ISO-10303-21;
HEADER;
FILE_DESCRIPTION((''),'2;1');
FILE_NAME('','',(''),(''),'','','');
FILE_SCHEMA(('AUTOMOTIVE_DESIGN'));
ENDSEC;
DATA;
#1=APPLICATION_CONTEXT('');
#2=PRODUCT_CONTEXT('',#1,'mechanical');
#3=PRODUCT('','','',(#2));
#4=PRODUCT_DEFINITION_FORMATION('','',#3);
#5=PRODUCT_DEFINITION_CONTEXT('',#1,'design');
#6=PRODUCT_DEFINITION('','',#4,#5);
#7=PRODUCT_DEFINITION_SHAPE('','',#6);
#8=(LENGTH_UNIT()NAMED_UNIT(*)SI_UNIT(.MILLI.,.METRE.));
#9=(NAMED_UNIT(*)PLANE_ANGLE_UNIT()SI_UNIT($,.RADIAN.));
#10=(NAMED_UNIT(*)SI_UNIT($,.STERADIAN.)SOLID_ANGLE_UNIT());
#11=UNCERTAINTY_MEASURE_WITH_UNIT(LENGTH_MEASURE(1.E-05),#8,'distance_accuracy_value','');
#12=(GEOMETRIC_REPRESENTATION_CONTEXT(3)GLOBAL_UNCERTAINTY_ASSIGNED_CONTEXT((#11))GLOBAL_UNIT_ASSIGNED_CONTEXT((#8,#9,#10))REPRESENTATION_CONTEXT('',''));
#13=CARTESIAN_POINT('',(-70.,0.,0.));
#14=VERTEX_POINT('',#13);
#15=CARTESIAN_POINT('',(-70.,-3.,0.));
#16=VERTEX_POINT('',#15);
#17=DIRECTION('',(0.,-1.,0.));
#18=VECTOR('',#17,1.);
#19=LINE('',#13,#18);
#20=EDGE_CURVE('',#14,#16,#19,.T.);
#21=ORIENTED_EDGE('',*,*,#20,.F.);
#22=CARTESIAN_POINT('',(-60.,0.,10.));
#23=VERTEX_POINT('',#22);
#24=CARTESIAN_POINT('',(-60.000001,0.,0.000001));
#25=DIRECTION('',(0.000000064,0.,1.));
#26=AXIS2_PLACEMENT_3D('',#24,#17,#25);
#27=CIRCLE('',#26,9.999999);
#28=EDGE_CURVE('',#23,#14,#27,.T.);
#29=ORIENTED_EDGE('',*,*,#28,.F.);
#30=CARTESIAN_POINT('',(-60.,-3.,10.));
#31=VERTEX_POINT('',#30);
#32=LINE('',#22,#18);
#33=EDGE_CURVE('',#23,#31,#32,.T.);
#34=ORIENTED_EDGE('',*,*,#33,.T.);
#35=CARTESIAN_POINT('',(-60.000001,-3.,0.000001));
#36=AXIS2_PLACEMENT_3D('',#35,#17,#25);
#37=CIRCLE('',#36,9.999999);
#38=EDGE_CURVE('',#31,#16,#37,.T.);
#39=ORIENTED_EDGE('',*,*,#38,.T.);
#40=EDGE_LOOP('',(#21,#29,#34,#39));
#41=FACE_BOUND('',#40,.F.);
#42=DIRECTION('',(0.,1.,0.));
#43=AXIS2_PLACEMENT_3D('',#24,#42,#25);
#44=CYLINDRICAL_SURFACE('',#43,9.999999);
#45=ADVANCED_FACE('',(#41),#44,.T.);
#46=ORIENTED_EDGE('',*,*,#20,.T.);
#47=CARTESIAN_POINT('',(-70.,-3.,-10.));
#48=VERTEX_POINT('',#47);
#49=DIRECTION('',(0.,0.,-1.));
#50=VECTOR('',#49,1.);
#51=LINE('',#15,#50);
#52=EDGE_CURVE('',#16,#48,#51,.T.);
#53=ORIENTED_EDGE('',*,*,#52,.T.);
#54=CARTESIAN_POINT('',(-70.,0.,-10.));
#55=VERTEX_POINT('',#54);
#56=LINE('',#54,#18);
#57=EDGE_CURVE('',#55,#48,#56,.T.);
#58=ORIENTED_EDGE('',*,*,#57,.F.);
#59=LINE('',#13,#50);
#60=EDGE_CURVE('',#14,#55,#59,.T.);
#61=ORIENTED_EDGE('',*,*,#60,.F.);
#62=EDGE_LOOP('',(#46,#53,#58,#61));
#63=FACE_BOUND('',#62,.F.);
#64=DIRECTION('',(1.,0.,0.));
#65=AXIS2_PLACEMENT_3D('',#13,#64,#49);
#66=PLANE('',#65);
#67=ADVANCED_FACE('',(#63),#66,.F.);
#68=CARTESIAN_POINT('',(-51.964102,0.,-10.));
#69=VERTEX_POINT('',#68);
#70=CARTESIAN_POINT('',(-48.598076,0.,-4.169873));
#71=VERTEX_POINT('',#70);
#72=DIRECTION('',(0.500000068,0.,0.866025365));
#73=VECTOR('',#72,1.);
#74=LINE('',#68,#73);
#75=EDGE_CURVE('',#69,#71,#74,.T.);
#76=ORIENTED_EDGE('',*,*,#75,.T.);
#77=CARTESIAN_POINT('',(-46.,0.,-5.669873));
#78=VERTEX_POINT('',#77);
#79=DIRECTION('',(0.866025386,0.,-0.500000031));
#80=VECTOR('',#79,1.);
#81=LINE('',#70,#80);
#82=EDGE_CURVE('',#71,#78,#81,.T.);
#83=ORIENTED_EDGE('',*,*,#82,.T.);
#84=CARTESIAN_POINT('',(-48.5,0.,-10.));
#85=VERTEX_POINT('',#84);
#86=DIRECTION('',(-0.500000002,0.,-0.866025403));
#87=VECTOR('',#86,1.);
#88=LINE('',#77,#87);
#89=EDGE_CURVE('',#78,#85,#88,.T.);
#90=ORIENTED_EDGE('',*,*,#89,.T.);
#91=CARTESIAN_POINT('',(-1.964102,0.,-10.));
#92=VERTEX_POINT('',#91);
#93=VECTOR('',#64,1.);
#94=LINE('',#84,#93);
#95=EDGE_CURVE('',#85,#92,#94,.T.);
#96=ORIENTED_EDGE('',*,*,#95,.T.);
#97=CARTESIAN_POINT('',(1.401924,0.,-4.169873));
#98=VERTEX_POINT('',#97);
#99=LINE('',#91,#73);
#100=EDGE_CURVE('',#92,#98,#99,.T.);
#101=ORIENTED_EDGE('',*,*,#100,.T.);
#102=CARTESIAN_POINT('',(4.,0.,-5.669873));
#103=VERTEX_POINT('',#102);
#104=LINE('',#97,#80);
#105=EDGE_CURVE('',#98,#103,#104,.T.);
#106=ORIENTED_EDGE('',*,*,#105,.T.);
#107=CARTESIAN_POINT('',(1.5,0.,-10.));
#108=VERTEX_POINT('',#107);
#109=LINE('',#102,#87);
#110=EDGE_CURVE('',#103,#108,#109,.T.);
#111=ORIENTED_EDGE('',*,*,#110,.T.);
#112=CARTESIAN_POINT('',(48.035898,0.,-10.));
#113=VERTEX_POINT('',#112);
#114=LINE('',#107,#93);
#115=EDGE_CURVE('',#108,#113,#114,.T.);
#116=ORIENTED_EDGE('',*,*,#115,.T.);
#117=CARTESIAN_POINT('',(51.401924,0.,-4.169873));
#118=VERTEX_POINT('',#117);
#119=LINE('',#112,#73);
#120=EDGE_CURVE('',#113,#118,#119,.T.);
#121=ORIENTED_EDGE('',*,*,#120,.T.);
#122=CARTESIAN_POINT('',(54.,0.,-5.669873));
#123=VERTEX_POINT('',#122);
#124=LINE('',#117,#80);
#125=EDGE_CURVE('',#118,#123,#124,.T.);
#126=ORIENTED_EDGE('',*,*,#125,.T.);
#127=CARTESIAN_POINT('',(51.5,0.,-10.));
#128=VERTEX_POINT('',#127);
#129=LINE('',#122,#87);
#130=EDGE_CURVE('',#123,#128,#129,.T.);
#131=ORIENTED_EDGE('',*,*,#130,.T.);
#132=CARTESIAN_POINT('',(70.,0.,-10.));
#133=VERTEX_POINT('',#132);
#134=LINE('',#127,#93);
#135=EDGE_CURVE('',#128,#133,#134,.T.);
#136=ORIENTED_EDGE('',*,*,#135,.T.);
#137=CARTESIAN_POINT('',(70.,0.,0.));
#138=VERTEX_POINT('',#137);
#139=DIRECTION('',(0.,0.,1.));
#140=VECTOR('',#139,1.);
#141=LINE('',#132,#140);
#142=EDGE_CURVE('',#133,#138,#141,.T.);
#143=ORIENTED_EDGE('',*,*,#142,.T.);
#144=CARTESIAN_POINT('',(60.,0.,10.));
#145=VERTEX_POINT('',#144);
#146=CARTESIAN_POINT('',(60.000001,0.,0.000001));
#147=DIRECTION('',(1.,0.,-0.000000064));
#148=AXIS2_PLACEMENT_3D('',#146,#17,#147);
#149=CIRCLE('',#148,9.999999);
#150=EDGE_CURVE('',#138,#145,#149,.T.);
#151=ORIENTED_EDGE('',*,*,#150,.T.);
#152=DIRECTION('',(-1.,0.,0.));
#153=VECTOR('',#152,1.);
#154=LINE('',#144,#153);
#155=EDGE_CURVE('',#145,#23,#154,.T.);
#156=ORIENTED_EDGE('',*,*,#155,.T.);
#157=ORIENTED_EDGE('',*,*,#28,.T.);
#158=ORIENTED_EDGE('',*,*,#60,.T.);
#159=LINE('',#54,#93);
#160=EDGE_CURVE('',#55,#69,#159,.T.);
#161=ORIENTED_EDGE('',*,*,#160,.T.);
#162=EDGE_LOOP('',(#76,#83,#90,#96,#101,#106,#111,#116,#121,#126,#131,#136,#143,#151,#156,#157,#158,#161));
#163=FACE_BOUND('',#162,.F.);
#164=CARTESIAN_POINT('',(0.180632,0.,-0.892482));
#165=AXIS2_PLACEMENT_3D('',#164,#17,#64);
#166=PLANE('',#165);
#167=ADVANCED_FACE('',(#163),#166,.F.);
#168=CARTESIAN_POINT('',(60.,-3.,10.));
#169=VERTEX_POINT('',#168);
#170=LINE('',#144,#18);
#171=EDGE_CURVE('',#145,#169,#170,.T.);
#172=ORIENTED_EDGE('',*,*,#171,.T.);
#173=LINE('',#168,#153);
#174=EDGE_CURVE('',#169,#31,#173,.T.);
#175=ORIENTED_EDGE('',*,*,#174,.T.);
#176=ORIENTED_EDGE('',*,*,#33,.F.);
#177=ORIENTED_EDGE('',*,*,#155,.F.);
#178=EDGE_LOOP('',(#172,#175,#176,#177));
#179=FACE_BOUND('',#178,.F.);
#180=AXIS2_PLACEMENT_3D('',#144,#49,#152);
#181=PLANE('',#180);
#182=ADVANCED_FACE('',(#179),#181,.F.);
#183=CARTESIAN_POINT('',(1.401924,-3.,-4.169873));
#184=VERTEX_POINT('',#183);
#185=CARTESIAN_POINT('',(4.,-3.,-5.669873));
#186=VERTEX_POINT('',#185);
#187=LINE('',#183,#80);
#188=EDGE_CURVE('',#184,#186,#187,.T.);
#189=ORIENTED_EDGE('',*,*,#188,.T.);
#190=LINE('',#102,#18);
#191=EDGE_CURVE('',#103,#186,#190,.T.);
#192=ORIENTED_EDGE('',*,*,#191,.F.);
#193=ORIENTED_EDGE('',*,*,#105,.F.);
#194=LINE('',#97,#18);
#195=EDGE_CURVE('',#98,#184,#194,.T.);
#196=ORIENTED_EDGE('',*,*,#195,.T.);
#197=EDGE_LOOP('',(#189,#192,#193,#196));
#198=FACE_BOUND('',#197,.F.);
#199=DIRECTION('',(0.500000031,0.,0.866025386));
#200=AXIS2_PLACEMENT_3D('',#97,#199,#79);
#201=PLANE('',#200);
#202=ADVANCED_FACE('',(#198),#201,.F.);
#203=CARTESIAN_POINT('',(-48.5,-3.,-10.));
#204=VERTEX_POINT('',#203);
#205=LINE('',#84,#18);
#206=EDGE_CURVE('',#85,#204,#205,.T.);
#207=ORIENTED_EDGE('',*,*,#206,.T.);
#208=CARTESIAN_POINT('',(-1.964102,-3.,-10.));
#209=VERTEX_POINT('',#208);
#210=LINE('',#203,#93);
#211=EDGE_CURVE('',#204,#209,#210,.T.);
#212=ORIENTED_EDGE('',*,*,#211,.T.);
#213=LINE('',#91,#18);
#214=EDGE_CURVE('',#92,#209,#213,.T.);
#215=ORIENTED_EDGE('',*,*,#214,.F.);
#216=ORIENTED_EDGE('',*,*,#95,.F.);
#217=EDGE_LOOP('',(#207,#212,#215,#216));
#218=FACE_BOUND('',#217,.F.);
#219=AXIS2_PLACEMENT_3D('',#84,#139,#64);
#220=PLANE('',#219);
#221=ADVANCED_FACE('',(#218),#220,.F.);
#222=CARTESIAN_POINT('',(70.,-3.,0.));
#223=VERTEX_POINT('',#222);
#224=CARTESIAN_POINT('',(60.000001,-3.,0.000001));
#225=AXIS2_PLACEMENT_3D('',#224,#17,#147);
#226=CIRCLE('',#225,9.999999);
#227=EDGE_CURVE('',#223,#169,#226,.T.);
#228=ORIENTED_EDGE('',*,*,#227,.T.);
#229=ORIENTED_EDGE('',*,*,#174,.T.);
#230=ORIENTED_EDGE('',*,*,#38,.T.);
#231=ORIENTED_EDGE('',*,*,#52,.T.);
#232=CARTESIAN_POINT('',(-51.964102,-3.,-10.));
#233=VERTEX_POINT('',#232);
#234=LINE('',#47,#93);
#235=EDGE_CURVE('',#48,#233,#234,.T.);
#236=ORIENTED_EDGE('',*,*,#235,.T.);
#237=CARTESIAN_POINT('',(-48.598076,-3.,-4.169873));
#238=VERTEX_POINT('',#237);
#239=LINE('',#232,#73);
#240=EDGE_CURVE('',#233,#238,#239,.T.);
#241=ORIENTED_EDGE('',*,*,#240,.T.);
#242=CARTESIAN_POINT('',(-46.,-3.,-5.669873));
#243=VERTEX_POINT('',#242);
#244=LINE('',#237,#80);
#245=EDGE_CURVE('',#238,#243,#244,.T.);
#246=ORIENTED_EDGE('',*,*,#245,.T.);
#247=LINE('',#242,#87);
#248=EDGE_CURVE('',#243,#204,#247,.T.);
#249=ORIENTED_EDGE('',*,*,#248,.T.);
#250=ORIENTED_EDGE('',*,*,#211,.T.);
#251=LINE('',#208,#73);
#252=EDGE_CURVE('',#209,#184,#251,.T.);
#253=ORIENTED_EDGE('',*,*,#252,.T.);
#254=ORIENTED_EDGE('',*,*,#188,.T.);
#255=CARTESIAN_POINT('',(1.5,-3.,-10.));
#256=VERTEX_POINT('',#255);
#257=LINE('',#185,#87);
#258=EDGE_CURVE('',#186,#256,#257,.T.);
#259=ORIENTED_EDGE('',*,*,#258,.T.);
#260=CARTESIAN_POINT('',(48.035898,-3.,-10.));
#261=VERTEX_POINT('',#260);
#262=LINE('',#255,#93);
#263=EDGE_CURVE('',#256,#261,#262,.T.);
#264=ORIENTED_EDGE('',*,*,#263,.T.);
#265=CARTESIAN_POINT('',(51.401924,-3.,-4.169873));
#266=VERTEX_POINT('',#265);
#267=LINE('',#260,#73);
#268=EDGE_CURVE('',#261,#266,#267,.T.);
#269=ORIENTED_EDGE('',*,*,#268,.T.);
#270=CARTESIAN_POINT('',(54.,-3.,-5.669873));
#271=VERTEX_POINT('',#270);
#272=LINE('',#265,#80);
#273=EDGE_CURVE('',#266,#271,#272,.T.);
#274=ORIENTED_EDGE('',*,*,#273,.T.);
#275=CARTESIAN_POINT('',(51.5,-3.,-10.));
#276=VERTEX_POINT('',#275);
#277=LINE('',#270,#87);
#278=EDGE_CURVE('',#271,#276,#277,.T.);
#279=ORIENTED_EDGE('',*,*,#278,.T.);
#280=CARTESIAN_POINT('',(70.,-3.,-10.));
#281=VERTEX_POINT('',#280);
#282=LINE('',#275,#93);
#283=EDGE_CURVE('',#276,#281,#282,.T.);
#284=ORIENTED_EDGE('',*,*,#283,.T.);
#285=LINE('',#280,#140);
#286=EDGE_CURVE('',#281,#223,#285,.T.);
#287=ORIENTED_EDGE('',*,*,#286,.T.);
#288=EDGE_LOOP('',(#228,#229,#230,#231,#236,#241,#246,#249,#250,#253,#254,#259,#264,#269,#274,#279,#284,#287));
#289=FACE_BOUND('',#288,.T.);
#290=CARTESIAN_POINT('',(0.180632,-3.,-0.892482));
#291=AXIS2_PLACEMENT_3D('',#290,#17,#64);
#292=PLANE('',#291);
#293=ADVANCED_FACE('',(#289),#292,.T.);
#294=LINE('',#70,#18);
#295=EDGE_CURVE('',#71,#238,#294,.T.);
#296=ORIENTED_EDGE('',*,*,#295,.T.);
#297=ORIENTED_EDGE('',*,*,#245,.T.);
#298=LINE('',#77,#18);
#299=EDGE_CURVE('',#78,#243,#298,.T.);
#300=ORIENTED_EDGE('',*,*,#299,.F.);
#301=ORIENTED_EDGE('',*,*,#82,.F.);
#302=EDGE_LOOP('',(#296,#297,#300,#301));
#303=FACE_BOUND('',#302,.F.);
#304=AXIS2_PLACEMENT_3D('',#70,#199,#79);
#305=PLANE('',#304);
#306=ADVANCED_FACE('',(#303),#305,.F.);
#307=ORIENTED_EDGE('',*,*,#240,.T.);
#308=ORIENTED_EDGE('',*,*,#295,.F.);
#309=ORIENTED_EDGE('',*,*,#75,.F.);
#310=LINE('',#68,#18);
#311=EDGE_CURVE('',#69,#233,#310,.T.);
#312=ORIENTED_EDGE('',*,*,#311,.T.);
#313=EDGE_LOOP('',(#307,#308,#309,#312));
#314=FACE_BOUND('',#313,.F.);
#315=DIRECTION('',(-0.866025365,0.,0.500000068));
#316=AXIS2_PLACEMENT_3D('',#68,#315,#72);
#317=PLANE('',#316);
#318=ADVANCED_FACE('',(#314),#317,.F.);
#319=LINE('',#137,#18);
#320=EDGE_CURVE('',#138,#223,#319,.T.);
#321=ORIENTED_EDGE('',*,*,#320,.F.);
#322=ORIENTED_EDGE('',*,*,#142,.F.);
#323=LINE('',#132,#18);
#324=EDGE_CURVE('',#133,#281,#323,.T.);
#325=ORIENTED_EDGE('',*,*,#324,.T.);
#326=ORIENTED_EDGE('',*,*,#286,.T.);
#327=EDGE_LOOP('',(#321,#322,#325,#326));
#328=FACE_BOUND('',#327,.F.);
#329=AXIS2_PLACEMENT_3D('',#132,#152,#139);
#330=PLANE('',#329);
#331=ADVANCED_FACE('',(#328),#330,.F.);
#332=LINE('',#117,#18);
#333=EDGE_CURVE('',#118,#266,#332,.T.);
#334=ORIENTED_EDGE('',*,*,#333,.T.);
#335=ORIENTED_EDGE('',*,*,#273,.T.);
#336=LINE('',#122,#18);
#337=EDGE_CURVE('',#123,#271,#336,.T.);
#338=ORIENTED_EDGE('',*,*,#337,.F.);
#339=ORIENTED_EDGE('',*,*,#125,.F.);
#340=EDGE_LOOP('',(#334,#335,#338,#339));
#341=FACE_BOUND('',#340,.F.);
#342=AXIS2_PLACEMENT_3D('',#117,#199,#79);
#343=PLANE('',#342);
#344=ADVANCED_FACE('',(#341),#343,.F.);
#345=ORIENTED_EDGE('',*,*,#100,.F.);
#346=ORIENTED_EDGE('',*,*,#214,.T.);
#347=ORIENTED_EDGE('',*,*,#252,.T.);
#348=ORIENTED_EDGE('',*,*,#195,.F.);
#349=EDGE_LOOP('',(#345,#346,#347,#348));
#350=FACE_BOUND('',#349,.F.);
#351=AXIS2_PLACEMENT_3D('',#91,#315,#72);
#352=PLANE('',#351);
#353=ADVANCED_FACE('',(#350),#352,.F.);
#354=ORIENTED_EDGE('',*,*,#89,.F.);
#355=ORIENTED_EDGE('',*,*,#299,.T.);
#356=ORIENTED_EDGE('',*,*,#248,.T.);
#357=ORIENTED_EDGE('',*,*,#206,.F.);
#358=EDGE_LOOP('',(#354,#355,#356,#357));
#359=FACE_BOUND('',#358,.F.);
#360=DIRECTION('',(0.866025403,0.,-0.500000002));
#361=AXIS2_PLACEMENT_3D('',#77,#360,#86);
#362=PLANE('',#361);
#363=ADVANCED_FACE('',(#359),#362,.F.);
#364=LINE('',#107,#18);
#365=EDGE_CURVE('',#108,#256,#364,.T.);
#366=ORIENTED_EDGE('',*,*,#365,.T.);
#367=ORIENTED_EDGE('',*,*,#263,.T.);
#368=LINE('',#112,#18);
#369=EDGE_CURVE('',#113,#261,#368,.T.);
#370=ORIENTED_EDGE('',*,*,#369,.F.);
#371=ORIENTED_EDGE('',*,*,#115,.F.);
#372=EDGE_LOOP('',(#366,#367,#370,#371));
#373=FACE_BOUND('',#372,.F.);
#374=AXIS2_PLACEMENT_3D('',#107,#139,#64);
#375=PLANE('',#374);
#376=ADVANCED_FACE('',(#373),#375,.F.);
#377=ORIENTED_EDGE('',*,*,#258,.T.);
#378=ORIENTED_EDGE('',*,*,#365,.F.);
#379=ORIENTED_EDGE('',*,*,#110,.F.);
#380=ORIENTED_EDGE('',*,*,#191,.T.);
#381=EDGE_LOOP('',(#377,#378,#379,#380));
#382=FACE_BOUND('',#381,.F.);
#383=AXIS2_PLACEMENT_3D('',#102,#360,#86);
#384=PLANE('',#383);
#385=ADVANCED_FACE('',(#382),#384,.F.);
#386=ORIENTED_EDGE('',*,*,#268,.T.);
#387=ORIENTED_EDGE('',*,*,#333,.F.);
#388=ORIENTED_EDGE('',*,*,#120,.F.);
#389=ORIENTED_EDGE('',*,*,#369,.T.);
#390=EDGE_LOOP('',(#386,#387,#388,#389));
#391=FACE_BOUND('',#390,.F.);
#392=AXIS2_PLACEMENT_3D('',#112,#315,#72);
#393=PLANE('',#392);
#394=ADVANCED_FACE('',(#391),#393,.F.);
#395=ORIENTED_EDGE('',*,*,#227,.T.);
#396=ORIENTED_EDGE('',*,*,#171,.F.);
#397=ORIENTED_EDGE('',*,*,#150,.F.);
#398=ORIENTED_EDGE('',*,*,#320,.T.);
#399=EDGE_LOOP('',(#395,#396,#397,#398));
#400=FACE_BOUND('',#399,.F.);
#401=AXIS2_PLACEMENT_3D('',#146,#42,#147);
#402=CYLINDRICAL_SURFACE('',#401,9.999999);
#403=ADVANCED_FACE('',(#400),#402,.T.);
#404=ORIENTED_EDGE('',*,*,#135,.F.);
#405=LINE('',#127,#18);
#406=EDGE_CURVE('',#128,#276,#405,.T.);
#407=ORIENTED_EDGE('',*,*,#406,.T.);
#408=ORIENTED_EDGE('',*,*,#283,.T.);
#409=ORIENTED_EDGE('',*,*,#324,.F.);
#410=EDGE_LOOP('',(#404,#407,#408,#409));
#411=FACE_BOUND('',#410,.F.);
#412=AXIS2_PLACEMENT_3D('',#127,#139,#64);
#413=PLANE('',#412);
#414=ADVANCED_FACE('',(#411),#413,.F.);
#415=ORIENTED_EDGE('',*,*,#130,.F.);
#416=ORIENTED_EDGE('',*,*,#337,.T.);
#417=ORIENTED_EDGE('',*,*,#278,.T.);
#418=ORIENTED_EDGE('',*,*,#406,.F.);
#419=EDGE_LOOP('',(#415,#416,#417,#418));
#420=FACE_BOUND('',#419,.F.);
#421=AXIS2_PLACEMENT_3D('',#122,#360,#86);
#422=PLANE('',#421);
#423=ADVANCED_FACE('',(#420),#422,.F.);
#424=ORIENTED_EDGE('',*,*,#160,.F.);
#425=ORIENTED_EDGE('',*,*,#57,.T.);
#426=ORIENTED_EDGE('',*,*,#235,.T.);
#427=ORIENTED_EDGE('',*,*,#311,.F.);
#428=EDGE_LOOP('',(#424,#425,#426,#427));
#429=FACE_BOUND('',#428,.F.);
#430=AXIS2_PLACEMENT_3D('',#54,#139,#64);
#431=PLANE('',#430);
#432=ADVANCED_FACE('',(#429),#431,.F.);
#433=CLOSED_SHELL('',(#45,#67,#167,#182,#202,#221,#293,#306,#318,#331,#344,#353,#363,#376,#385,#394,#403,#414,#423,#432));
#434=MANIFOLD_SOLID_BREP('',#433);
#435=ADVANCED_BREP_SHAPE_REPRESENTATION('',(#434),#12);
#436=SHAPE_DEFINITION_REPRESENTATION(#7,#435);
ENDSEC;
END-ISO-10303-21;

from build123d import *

# Parameters (mm, degrees)
F1_DEPTH = 3


with BuildPart() as f1:
    # F0 (on Front) → F1 (new body)
    with BuildSketch(Plane.XZ):
        with BuildLine():
            Line((-70, 0), (-70, -10))
            Line((-70, -10), (-51.964102, -10))
            Line((-51.964102, -10), (-48.598076, -4.169873))
            Line((-48.598076, -4.169873), (-46, -5.669873))
            Line((-46, -5.669873), (-48.5, -10))
            Line((-48.5, -10), (-1.964102, -10))
            Line((-1.964102, -10), (1.401924, -4.169873))
            Line((1.401924, -4.169873), (4, -5.669873))
            Line((4, -5.669873), (1.5, -10))
            Line((1.5, -10), (48.035898, -10))
            Line((48.035898, -10), (51.401924, -4.169873))
            Line((51.401924, -4.169873), (54, -5.669873))
            Line((54, -5.669873), (51.5, -10))
            Line((51.5, -10), (70, -10))
            Line((70, -10), (70, 0))
            ThreePointArc((70, 0), (67.071068, 7.071068), (60, 10))
            Line((60, 10), (-60, 10))
            ThreePointArc((-60, 10), (-67.071068, 7.071068), (-70, 0))
        make_face()
    extrude(amount=F1_DEPTH)


solid = f1.part
